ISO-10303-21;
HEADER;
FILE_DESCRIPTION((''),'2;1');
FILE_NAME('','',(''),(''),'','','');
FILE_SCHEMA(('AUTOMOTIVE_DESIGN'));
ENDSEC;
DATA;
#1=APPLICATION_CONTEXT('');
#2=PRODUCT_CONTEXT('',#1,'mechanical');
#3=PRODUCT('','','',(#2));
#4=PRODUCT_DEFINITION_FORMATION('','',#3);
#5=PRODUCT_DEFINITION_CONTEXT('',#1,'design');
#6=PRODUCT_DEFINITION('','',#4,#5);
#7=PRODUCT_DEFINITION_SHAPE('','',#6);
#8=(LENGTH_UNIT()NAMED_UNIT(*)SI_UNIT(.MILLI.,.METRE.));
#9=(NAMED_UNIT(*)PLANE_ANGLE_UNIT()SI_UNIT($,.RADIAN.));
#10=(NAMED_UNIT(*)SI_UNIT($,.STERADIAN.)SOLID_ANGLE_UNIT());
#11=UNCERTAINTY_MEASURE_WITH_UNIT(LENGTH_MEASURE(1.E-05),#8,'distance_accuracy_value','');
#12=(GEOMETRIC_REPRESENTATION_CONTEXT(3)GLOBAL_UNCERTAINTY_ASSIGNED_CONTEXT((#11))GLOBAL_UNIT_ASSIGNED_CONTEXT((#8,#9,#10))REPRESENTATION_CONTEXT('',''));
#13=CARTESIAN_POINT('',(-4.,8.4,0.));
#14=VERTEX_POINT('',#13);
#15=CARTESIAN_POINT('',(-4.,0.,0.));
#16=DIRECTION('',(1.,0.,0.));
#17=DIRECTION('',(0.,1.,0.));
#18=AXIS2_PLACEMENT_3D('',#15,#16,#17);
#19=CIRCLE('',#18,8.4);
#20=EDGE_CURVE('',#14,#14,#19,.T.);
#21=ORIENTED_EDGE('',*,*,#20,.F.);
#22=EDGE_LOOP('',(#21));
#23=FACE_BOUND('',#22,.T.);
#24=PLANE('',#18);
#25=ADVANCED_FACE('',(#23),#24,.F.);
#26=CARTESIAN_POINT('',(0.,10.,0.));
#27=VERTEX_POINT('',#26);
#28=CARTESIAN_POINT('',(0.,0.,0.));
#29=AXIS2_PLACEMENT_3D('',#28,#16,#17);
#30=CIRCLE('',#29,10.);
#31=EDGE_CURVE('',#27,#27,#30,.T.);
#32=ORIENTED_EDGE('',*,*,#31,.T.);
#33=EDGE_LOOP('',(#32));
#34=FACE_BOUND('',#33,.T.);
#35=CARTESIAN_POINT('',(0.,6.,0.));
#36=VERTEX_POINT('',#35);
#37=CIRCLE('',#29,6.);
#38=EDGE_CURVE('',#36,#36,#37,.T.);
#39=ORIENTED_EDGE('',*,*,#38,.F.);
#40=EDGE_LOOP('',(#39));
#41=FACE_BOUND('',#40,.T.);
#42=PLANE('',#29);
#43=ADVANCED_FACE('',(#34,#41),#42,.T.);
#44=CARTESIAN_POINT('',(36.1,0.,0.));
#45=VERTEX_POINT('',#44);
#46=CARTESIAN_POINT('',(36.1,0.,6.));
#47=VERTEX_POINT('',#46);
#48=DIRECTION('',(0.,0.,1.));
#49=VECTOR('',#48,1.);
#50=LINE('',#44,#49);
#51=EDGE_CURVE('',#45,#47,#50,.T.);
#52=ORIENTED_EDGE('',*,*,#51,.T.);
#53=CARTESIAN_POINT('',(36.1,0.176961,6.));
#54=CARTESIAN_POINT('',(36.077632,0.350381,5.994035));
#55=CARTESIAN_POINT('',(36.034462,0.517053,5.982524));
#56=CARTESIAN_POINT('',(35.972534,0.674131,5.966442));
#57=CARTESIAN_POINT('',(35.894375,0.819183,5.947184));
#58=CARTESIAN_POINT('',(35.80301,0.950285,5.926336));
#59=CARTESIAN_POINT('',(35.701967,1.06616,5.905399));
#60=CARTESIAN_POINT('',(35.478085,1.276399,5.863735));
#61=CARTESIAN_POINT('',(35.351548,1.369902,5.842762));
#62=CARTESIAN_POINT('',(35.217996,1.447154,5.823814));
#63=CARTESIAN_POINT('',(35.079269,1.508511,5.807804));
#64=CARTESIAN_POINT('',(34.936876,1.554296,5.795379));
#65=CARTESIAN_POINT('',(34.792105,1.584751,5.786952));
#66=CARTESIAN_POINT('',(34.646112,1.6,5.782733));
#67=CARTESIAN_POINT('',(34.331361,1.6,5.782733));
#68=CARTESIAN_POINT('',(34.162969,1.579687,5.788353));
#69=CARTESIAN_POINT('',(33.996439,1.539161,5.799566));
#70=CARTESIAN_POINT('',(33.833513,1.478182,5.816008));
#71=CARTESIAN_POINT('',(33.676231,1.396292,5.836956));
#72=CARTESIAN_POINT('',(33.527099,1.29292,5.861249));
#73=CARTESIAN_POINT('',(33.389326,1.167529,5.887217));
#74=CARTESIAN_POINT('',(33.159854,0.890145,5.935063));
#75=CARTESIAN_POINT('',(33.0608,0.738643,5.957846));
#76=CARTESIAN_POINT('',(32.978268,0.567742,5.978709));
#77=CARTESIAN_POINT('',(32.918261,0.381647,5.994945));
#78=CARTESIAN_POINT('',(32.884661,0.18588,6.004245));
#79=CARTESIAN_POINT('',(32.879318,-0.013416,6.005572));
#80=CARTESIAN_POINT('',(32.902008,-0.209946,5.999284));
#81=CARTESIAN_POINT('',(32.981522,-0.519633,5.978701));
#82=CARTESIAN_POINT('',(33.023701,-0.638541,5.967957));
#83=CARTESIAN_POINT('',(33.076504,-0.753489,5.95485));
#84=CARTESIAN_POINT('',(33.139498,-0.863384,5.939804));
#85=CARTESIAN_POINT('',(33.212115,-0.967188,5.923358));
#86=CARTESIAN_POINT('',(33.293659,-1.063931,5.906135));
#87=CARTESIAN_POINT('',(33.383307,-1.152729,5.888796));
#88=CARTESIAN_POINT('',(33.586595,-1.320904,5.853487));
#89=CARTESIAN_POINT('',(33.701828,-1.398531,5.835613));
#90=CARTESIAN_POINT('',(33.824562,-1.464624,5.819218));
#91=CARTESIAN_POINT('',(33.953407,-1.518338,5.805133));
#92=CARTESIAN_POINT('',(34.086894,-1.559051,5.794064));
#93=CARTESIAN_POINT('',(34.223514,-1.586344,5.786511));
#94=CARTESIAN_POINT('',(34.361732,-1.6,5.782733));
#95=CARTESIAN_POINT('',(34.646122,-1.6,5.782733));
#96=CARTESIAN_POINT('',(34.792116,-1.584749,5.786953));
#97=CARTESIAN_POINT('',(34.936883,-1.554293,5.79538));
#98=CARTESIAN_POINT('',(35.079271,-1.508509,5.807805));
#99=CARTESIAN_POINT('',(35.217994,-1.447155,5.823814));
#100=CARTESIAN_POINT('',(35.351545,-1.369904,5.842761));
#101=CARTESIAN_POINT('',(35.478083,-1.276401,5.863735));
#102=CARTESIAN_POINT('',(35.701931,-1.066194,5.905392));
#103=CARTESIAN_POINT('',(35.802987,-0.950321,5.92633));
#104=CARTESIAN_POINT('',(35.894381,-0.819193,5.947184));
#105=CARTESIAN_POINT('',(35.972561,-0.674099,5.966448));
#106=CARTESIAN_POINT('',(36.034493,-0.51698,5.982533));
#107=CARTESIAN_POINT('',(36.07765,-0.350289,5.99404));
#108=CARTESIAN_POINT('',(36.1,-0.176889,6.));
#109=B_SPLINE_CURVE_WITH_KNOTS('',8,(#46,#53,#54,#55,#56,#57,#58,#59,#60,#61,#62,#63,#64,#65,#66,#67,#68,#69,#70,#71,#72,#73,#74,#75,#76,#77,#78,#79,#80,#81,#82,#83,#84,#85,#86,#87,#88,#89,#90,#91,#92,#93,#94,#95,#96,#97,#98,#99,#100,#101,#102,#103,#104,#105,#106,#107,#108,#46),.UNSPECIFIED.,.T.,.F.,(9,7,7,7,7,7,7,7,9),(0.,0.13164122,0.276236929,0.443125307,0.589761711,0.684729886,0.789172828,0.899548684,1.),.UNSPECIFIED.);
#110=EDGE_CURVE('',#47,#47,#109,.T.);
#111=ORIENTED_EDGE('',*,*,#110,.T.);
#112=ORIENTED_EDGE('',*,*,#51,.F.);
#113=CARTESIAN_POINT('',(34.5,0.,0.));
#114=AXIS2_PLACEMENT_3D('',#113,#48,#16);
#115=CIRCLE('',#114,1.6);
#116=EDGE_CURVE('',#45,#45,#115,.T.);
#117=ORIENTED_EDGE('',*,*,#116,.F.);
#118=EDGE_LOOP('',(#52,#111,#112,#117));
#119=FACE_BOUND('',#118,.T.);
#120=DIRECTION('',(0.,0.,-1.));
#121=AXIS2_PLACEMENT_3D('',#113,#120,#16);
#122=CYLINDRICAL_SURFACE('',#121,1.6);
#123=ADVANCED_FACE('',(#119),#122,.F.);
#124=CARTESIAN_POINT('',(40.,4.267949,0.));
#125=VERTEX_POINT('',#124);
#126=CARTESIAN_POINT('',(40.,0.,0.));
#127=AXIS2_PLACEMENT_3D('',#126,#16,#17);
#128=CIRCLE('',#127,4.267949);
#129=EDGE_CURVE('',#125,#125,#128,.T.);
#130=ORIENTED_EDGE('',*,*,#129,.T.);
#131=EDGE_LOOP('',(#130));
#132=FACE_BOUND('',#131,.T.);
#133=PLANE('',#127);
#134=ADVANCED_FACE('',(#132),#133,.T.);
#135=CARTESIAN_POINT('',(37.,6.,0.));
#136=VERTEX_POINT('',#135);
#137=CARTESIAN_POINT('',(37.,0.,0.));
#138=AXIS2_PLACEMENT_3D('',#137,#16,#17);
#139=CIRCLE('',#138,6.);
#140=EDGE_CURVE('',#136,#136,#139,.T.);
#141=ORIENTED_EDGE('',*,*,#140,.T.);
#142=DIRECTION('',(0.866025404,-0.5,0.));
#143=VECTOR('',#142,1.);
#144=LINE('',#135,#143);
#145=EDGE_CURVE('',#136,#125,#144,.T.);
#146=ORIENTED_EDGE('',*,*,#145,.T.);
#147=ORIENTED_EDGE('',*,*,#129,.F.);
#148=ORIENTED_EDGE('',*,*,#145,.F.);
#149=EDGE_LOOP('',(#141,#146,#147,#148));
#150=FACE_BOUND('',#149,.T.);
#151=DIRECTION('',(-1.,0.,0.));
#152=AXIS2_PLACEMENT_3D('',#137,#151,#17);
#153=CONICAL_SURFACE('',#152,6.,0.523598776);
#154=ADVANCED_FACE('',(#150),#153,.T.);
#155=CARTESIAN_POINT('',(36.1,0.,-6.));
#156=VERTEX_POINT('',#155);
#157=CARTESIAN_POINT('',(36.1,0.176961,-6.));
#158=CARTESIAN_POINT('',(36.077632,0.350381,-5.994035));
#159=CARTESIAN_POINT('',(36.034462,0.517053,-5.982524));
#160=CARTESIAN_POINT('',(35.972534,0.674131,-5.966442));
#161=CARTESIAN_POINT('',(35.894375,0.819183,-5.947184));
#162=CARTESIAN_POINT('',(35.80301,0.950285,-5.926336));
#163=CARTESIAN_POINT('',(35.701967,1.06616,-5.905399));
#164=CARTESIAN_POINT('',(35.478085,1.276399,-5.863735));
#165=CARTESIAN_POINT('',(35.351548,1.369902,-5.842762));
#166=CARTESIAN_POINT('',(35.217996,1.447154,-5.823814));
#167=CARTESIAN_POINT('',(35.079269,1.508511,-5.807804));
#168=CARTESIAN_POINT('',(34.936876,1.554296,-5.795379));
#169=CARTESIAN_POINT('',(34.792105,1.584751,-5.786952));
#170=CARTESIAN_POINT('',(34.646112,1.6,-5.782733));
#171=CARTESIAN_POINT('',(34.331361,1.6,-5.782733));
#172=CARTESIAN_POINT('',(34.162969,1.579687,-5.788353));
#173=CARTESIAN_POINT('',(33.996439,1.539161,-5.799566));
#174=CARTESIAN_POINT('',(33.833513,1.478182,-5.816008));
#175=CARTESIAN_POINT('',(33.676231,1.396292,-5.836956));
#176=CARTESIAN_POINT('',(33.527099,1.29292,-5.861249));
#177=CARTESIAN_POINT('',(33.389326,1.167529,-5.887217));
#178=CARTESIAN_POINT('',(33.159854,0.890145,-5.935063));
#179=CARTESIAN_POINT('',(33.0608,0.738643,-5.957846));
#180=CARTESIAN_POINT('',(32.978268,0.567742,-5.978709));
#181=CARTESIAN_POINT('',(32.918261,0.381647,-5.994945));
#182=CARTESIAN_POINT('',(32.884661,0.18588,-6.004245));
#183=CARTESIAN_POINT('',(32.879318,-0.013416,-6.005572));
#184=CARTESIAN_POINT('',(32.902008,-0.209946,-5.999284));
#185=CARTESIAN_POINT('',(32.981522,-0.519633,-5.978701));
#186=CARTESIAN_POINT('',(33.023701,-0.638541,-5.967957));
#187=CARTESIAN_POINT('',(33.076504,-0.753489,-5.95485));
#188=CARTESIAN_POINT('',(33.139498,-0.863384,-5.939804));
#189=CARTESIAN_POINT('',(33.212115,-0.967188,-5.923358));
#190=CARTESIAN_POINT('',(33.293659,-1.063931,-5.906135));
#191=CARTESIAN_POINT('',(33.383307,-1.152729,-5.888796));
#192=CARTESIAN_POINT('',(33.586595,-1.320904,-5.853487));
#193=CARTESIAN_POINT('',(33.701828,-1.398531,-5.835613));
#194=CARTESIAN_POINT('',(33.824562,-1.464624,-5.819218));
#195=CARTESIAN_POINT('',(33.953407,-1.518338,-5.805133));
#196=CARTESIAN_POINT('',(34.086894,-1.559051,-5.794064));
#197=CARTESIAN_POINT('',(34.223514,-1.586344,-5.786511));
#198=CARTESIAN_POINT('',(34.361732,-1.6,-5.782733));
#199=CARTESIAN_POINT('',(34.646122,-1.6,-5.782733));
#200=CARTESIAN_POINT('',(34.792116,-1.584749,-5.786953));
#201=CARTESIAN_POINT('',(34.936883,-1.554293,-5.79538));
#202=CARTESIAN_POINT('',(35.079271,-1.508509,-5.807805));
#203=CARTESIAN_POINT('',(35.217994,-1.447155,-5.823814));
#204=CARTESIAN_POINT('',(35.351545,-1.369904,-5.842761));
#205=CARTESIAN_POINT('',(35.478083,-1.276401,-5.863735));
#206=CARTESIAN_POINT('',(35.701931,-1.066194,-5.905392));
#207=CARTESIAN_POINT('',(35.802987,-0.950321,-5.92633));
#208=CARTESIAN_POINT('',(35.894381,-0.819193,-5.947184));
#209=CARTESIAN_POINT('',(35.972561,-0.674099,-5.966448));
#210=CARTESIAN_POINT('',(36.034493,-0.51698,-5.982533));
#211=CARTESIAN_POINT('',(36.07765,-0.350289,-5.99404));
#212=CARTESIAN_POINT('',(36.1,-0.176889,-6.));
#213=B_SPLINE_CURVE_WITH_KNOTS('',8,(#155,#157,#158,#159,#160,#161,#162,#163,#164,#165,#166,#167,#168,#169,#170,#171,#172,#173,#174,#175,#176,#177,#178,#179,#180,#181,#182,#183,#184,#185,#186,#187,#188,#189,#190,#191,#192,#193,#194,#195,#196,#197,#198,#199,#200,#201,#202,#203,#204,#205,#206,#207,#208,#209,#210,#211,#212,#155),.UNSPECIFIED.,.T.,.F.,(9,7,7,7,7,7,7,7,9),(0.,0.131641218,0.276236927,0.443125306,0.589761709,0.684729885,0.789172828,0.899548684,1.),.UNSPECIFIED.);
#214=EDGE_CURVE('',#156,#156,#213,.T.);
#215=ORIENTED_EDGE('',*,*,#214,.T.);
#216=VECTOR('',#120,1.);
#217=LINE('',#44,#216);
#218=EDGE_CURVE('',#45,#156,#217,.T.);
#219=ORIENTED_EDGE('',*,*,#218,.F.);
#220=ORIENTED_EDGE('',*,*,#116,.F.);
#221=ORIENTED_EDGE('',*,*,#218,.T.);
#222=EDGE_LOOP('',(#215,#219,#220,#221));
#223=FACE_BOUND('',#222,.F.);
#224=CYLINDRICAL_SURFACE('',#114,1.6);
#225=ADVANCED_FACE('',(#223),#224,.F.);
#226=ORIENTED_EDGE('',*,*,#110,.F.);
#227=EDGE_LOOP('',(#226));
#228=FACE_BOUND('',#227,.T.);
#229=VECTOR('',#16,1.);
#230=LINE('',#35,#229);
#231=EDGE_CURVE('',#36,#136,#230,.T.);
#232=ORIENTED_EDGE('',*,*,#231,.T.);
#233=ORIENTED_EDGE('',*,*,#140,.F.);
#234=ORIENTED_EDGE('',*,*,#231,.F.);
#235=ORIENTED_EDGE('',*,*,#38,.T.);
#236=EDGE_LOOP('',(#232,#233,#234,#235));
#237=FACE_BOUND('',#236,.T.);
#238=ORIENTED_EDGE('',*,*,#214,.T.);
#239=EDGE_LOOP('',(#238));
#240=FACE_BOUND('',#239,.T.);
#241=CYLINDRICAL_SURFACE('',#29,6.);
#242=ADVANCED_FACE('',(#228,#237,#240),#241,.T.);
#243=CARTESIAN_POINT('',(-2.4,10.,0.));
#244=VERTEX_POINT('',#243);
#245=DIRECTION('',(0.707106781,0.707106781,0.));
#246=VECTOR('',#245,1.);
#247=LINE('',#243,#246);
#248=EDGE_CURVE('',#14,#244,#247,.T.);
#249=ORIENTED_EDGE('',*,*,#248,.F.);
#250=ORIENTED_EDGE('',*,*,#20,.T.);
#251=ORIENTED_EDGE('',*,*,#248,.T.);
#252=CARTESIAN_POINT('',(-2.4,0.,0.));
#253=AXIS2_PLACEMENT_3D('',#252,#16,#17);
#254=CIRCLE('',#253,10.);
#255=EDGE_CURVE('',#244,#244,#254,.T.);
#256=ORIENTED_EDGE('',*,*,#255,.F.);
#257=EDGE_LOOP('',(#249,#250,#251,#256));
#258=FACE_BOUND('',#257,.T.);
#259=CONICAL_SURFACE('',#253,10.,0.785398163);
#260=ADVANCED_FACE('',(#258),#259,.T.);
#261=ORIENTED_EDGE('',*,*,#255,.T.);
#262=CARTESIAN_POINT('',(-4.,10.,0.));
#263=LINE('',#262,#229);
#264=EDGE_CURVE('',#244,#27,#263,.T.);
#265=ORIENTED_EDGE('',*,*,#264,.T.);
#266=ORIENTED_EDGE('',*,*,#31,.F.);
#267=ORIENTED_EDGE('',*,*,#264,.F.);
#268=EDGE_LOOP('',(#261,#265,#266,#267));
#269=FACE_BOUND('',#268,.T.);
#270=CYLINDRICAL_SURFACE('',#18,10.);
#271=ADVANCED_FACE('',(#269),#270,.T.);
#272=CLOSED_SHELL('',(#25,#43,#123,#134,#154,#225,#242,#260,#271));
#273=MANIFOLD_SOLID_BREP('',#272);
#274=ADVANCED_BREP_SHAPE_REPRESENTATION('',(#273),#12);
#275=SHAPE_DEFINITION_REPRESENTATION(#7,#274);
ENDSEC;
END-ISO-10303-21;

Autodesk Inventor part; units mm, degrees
ref_plane "YZ Plane" through (0, 0, 0) normal (1, 0, 0) x (0, 1, 0)
ref_plane "XZ Plane" through (0, 0, 0) normal (0, 1, 0) x (-1, 0, 0)
sketch "Skizze1" plane through (0, 0, 0) normal (0, 0, 1) x (1, 0, 0)
  line L0 (-4, 0) -> (-4, 10)
  line L1 (-4, 10) -> (0, 10)
  line L2 (0, 10) -> (0, 6)
  line L3 (0, 6) -> (40, 6)
  line L4 (40, 6) -> (40, 0)
  line L5 (-4, 0) -> (40, 0)
  line L6 (-4, 0) -> (17, 0) projected
  line L7 (0, -0.98) -> (0, 3.08) projected
  circle A0 centre (34.5, 0) radius 1.6
  dimension "d0" = 12
  dimension "d1" = 20
  dimension "d2" = 4
  dimension "d3" = 40
  dimension "d5" = 5.5
  dimension "d6" = 3.2
revolve "Körper" add sketch "Skizze1" angle 360 about axis through (-4, 0, 0) along (1, 0, 0) picked at (34.8992, 0.6089) contours L0 L1 L2 L3 L4 L5 A0 | A0 L5
extrude "Bohrung" cut sketch "Skizze1" along normal through all both and the other way through all contours A0 L5 | L5 A0
chamfer "Fase1" distance 1.6 angle 45 1 edges at (-4, -10, 0) measured on face at (-2.6667, 9.9676, -0.8047)
chamfer "Fase2" distance 3 angle 30 1 edges at (40, -6, 0) measured on face at (13.3333, 5.9805, -0.4828)
ref_plane "Work Plane1" through (20, 0, 6) normal (0, 0, 1) x (1, 0, 0)
equation "\"d0\" = NND"
equation "\"d1\" = KOD"
equation "\"d2\" = KOH"
equation "\"d3\" = NLG"
equation "\"d5\" = DIST"
equation "\"d6\" = BOR"
equation "\"d7\" = NND"
equation "\"d9\" = PHH2"
equation "\"d10\" = FAWI2"
equation "\"d16\" = PHH2"
equation "\"d11\" = PHH1"
equation "\"d12\" = FAWI1"
equation "\"d17\" = PHH1"
equation "\"PHH1\" = 3"
equation "\"PHH2\" = 1.6"
equation "\"KOD\" = 20"
equation "\"KOH\" = 4"
equation "\"NND\" = 12"
equation "\"FAWI1\" = 30deg"
equation "\"FAWI2\" = 45deg"
equation "\"DIST\" = 5.5"
equation "\"BOR\" = 3.2"
equation "\"NLG\" = 40"
properties part number "IS 6863 - B12 x 40" material "Stahl, weich"
